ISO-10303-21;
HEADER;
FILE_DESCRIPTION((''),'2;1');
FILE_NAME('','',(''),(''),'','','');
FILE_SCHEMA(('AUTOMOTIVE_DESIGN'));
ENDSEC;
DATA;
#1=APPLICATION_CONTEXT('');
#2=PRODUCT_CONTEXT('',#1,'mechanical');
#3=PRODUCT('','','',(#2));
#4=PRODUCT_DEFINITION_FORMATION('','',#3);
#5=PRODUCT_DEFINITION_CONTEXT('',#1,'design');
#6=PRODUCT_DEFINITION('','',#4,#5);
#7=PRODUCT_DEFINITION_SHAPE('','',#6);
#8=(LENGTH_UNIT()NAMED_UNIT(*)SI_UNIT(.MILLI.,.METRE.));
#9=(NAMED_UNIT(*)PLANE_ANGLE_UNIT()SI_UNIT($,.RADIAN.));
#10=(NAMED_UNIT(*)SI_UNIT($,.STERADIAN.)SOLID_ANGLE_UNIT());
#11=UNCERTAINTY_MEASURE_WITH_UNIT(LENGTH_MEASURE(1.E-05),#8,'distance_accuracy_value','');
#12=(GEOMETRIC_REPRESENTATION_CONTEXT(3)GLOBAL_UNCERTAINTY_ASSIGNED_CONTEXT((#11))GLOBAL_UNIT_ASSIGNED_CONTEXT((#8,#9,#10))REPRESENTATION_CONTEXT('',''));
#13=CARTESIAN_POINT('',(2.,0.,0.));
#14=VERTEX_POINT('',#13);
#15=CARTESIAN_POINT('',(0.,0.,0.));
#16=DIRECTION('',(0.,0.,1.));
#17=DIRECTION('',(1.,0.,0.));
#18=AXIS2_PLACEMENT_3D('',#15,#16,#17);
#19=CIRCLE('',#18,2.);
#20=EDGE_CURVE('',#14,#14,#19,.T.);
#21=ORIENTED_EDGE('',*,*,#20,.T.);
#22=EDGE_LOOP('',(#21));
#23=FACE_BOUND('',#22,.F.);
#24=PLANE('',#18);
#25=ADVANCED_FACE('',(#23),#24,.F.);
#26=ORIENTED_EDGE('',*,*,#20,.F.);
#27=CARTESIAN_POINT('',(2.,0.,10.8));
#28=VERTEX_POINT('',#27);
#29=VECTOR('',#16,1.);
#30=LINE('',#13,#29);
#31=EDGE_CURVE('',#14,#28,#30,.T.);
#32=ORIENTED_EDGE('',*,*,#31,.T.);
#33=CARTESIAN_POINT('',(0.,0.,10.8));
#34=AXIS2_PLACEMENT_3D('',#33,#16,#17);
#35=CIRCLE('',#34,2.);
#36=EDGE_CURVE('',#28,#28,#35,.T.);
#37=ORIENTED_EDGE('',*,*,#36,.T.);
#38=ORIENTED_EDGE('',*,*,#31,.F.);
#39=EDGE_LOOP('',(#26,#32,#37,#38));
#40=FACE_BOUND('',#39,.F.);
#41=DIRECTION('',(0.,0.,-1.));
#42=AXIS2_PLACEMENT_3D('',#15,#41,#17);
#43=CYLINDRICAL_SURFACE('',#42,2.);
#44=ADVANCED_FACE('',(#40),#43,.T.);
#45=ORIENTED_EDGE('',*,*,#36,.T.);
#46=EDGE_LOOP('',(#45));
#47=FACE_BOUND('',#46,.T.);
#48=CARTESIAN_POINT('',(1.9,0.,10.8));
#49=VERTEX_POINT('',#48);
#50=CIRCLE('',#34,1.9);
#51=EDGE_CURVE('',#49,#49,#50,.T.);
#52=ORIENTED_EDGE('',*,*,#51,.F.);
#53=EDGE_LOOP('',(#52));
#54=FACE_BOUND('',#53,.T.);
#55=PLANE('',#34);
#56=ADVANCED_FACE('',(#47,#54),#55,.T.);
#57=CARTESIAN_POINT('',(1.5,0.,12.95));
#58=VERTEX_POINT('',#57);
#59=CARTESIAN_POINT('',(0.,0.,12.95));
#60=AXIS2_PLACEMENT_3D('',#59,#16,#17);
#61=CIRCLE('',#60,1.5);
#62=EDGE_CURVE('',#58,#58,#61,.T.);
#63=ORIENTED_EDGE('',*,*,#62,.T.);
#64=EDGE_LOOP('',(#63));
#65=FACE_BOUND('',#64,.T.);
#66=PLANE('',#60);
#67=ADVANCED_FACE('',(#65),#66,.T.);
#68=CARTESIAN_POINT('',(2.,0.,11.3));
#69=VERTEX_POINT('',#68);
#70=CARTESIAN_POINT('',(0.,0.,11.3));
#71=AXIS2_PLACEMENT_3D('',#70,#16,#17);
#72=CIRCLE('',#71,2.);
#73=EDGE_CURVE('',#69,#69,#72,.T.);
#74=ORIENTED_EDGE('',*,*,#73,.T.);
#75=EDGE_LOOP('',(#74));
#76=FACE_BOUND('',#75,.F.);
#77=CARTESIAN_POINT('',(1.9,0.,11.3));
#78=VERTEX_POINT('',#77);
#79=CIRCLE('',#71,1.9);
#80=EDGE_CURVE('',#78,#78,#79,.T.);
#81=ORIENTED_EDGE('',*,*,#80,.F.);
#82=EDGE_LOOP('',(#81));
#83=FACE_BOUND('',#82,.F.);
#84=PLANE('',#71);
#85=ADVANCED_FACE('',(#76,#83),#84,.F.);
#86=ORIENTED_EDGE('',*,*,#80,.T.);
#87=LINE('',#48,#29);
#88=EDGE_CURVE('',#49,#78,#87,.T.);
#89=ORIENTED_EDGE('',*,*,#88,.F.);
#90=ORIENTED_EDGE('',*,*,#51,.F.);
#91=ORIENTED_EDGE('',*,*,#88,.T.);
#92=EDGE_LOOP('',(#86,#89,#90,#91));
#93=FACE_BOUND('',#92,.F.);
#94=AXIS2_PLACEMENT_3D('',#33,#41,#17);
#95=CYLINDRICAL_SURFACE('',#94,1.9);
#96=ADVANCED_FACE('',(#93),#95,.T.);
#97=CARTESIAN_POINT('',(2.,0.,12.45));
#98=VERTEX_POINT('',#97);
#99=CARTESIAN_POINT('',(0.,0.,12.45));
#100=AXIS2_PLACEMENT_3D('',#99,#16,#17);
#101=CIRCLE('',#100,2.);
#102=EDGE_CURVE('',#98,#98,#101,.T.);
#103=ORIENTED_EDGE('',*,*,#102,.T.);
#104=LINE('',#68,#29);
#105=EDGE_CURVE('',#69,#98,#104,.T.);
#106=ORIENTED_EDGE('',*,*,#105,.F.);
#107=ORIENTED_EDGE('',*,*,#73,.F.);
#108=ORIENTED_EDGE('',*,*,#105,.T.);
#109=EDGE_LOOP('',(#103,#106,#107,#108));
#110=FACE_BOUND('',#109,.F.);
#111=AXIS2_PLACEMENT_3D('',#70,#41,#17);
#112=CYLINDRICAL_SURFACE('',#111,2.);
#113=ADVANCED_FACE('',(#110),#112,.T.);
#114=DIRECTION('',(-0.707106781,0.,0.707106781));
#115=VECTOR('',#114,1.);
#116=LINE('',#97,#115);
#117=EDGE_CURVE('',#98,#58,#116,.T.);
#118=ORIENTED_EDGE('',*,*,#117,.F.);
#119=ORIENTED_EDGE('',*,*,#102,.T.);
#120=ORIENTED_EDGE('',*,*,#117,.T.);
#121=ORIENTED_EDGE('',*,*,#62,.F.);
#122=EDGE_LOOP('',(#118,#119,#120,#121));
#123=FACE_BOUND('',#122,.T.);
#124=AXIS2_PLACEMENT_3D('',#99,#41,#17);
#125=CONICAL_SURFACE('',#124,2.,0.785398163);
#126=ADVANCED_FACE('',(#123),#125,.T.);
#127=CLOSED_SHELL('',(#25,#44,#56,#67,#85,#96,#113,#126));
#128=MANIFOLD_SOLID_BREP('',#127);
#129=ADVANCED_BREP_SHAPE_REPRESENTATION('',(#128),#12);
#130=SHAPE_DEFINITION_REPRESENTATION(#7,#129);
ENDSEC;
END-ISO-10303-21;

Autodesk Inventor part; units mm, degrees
ref_plane "YZ Plane" through (0, 0, 0) normal (1, 0, 0) x (0, 1, 0)
ref_plane "XZ Plane" through (0, 0, 0) normal (0, 1, 0) x (-1, 0, 0)
ref_plane "XY Plane" through (0, 0, 0) normal (0, 0, 1) x (1, 0, 0)
sketch "Sketch1" plane through (0, 0, 0) normal (0, 0, 1) x (1, 0, 0)
  circle A0 centre (0, 0) radius 2
  dimension "d0" = 4
extrude "Extrusion1" add sketch "Sketch1" along normal blind 10.8
sketch "Sketch2" plane through (0, 0, 10.8) normal (0, 0, 1) x (1, 0, 0)
  circle A0 centre (0, 0) radius 1.9
  dimension "d3" = 3.8
extrude "Extrusion2" add sketch "Sketch2" along normal blind 0.5
sketch "Sketch3" plane through (0, 0, 11.3) normal (0, 0, 1) x (1, 0, 0)
  circle A0 centre (0, 0) radius 2
extrude "Extrusion3" add sketch "Sketch3" along normal blind 1.65
chamfer "Chamfer1" distance 0.5 angle 45 1 edges at (-2, 0, 12.95)
properties part number "KURBELZAPFEN PART9" material "Steel ASTM A36"
